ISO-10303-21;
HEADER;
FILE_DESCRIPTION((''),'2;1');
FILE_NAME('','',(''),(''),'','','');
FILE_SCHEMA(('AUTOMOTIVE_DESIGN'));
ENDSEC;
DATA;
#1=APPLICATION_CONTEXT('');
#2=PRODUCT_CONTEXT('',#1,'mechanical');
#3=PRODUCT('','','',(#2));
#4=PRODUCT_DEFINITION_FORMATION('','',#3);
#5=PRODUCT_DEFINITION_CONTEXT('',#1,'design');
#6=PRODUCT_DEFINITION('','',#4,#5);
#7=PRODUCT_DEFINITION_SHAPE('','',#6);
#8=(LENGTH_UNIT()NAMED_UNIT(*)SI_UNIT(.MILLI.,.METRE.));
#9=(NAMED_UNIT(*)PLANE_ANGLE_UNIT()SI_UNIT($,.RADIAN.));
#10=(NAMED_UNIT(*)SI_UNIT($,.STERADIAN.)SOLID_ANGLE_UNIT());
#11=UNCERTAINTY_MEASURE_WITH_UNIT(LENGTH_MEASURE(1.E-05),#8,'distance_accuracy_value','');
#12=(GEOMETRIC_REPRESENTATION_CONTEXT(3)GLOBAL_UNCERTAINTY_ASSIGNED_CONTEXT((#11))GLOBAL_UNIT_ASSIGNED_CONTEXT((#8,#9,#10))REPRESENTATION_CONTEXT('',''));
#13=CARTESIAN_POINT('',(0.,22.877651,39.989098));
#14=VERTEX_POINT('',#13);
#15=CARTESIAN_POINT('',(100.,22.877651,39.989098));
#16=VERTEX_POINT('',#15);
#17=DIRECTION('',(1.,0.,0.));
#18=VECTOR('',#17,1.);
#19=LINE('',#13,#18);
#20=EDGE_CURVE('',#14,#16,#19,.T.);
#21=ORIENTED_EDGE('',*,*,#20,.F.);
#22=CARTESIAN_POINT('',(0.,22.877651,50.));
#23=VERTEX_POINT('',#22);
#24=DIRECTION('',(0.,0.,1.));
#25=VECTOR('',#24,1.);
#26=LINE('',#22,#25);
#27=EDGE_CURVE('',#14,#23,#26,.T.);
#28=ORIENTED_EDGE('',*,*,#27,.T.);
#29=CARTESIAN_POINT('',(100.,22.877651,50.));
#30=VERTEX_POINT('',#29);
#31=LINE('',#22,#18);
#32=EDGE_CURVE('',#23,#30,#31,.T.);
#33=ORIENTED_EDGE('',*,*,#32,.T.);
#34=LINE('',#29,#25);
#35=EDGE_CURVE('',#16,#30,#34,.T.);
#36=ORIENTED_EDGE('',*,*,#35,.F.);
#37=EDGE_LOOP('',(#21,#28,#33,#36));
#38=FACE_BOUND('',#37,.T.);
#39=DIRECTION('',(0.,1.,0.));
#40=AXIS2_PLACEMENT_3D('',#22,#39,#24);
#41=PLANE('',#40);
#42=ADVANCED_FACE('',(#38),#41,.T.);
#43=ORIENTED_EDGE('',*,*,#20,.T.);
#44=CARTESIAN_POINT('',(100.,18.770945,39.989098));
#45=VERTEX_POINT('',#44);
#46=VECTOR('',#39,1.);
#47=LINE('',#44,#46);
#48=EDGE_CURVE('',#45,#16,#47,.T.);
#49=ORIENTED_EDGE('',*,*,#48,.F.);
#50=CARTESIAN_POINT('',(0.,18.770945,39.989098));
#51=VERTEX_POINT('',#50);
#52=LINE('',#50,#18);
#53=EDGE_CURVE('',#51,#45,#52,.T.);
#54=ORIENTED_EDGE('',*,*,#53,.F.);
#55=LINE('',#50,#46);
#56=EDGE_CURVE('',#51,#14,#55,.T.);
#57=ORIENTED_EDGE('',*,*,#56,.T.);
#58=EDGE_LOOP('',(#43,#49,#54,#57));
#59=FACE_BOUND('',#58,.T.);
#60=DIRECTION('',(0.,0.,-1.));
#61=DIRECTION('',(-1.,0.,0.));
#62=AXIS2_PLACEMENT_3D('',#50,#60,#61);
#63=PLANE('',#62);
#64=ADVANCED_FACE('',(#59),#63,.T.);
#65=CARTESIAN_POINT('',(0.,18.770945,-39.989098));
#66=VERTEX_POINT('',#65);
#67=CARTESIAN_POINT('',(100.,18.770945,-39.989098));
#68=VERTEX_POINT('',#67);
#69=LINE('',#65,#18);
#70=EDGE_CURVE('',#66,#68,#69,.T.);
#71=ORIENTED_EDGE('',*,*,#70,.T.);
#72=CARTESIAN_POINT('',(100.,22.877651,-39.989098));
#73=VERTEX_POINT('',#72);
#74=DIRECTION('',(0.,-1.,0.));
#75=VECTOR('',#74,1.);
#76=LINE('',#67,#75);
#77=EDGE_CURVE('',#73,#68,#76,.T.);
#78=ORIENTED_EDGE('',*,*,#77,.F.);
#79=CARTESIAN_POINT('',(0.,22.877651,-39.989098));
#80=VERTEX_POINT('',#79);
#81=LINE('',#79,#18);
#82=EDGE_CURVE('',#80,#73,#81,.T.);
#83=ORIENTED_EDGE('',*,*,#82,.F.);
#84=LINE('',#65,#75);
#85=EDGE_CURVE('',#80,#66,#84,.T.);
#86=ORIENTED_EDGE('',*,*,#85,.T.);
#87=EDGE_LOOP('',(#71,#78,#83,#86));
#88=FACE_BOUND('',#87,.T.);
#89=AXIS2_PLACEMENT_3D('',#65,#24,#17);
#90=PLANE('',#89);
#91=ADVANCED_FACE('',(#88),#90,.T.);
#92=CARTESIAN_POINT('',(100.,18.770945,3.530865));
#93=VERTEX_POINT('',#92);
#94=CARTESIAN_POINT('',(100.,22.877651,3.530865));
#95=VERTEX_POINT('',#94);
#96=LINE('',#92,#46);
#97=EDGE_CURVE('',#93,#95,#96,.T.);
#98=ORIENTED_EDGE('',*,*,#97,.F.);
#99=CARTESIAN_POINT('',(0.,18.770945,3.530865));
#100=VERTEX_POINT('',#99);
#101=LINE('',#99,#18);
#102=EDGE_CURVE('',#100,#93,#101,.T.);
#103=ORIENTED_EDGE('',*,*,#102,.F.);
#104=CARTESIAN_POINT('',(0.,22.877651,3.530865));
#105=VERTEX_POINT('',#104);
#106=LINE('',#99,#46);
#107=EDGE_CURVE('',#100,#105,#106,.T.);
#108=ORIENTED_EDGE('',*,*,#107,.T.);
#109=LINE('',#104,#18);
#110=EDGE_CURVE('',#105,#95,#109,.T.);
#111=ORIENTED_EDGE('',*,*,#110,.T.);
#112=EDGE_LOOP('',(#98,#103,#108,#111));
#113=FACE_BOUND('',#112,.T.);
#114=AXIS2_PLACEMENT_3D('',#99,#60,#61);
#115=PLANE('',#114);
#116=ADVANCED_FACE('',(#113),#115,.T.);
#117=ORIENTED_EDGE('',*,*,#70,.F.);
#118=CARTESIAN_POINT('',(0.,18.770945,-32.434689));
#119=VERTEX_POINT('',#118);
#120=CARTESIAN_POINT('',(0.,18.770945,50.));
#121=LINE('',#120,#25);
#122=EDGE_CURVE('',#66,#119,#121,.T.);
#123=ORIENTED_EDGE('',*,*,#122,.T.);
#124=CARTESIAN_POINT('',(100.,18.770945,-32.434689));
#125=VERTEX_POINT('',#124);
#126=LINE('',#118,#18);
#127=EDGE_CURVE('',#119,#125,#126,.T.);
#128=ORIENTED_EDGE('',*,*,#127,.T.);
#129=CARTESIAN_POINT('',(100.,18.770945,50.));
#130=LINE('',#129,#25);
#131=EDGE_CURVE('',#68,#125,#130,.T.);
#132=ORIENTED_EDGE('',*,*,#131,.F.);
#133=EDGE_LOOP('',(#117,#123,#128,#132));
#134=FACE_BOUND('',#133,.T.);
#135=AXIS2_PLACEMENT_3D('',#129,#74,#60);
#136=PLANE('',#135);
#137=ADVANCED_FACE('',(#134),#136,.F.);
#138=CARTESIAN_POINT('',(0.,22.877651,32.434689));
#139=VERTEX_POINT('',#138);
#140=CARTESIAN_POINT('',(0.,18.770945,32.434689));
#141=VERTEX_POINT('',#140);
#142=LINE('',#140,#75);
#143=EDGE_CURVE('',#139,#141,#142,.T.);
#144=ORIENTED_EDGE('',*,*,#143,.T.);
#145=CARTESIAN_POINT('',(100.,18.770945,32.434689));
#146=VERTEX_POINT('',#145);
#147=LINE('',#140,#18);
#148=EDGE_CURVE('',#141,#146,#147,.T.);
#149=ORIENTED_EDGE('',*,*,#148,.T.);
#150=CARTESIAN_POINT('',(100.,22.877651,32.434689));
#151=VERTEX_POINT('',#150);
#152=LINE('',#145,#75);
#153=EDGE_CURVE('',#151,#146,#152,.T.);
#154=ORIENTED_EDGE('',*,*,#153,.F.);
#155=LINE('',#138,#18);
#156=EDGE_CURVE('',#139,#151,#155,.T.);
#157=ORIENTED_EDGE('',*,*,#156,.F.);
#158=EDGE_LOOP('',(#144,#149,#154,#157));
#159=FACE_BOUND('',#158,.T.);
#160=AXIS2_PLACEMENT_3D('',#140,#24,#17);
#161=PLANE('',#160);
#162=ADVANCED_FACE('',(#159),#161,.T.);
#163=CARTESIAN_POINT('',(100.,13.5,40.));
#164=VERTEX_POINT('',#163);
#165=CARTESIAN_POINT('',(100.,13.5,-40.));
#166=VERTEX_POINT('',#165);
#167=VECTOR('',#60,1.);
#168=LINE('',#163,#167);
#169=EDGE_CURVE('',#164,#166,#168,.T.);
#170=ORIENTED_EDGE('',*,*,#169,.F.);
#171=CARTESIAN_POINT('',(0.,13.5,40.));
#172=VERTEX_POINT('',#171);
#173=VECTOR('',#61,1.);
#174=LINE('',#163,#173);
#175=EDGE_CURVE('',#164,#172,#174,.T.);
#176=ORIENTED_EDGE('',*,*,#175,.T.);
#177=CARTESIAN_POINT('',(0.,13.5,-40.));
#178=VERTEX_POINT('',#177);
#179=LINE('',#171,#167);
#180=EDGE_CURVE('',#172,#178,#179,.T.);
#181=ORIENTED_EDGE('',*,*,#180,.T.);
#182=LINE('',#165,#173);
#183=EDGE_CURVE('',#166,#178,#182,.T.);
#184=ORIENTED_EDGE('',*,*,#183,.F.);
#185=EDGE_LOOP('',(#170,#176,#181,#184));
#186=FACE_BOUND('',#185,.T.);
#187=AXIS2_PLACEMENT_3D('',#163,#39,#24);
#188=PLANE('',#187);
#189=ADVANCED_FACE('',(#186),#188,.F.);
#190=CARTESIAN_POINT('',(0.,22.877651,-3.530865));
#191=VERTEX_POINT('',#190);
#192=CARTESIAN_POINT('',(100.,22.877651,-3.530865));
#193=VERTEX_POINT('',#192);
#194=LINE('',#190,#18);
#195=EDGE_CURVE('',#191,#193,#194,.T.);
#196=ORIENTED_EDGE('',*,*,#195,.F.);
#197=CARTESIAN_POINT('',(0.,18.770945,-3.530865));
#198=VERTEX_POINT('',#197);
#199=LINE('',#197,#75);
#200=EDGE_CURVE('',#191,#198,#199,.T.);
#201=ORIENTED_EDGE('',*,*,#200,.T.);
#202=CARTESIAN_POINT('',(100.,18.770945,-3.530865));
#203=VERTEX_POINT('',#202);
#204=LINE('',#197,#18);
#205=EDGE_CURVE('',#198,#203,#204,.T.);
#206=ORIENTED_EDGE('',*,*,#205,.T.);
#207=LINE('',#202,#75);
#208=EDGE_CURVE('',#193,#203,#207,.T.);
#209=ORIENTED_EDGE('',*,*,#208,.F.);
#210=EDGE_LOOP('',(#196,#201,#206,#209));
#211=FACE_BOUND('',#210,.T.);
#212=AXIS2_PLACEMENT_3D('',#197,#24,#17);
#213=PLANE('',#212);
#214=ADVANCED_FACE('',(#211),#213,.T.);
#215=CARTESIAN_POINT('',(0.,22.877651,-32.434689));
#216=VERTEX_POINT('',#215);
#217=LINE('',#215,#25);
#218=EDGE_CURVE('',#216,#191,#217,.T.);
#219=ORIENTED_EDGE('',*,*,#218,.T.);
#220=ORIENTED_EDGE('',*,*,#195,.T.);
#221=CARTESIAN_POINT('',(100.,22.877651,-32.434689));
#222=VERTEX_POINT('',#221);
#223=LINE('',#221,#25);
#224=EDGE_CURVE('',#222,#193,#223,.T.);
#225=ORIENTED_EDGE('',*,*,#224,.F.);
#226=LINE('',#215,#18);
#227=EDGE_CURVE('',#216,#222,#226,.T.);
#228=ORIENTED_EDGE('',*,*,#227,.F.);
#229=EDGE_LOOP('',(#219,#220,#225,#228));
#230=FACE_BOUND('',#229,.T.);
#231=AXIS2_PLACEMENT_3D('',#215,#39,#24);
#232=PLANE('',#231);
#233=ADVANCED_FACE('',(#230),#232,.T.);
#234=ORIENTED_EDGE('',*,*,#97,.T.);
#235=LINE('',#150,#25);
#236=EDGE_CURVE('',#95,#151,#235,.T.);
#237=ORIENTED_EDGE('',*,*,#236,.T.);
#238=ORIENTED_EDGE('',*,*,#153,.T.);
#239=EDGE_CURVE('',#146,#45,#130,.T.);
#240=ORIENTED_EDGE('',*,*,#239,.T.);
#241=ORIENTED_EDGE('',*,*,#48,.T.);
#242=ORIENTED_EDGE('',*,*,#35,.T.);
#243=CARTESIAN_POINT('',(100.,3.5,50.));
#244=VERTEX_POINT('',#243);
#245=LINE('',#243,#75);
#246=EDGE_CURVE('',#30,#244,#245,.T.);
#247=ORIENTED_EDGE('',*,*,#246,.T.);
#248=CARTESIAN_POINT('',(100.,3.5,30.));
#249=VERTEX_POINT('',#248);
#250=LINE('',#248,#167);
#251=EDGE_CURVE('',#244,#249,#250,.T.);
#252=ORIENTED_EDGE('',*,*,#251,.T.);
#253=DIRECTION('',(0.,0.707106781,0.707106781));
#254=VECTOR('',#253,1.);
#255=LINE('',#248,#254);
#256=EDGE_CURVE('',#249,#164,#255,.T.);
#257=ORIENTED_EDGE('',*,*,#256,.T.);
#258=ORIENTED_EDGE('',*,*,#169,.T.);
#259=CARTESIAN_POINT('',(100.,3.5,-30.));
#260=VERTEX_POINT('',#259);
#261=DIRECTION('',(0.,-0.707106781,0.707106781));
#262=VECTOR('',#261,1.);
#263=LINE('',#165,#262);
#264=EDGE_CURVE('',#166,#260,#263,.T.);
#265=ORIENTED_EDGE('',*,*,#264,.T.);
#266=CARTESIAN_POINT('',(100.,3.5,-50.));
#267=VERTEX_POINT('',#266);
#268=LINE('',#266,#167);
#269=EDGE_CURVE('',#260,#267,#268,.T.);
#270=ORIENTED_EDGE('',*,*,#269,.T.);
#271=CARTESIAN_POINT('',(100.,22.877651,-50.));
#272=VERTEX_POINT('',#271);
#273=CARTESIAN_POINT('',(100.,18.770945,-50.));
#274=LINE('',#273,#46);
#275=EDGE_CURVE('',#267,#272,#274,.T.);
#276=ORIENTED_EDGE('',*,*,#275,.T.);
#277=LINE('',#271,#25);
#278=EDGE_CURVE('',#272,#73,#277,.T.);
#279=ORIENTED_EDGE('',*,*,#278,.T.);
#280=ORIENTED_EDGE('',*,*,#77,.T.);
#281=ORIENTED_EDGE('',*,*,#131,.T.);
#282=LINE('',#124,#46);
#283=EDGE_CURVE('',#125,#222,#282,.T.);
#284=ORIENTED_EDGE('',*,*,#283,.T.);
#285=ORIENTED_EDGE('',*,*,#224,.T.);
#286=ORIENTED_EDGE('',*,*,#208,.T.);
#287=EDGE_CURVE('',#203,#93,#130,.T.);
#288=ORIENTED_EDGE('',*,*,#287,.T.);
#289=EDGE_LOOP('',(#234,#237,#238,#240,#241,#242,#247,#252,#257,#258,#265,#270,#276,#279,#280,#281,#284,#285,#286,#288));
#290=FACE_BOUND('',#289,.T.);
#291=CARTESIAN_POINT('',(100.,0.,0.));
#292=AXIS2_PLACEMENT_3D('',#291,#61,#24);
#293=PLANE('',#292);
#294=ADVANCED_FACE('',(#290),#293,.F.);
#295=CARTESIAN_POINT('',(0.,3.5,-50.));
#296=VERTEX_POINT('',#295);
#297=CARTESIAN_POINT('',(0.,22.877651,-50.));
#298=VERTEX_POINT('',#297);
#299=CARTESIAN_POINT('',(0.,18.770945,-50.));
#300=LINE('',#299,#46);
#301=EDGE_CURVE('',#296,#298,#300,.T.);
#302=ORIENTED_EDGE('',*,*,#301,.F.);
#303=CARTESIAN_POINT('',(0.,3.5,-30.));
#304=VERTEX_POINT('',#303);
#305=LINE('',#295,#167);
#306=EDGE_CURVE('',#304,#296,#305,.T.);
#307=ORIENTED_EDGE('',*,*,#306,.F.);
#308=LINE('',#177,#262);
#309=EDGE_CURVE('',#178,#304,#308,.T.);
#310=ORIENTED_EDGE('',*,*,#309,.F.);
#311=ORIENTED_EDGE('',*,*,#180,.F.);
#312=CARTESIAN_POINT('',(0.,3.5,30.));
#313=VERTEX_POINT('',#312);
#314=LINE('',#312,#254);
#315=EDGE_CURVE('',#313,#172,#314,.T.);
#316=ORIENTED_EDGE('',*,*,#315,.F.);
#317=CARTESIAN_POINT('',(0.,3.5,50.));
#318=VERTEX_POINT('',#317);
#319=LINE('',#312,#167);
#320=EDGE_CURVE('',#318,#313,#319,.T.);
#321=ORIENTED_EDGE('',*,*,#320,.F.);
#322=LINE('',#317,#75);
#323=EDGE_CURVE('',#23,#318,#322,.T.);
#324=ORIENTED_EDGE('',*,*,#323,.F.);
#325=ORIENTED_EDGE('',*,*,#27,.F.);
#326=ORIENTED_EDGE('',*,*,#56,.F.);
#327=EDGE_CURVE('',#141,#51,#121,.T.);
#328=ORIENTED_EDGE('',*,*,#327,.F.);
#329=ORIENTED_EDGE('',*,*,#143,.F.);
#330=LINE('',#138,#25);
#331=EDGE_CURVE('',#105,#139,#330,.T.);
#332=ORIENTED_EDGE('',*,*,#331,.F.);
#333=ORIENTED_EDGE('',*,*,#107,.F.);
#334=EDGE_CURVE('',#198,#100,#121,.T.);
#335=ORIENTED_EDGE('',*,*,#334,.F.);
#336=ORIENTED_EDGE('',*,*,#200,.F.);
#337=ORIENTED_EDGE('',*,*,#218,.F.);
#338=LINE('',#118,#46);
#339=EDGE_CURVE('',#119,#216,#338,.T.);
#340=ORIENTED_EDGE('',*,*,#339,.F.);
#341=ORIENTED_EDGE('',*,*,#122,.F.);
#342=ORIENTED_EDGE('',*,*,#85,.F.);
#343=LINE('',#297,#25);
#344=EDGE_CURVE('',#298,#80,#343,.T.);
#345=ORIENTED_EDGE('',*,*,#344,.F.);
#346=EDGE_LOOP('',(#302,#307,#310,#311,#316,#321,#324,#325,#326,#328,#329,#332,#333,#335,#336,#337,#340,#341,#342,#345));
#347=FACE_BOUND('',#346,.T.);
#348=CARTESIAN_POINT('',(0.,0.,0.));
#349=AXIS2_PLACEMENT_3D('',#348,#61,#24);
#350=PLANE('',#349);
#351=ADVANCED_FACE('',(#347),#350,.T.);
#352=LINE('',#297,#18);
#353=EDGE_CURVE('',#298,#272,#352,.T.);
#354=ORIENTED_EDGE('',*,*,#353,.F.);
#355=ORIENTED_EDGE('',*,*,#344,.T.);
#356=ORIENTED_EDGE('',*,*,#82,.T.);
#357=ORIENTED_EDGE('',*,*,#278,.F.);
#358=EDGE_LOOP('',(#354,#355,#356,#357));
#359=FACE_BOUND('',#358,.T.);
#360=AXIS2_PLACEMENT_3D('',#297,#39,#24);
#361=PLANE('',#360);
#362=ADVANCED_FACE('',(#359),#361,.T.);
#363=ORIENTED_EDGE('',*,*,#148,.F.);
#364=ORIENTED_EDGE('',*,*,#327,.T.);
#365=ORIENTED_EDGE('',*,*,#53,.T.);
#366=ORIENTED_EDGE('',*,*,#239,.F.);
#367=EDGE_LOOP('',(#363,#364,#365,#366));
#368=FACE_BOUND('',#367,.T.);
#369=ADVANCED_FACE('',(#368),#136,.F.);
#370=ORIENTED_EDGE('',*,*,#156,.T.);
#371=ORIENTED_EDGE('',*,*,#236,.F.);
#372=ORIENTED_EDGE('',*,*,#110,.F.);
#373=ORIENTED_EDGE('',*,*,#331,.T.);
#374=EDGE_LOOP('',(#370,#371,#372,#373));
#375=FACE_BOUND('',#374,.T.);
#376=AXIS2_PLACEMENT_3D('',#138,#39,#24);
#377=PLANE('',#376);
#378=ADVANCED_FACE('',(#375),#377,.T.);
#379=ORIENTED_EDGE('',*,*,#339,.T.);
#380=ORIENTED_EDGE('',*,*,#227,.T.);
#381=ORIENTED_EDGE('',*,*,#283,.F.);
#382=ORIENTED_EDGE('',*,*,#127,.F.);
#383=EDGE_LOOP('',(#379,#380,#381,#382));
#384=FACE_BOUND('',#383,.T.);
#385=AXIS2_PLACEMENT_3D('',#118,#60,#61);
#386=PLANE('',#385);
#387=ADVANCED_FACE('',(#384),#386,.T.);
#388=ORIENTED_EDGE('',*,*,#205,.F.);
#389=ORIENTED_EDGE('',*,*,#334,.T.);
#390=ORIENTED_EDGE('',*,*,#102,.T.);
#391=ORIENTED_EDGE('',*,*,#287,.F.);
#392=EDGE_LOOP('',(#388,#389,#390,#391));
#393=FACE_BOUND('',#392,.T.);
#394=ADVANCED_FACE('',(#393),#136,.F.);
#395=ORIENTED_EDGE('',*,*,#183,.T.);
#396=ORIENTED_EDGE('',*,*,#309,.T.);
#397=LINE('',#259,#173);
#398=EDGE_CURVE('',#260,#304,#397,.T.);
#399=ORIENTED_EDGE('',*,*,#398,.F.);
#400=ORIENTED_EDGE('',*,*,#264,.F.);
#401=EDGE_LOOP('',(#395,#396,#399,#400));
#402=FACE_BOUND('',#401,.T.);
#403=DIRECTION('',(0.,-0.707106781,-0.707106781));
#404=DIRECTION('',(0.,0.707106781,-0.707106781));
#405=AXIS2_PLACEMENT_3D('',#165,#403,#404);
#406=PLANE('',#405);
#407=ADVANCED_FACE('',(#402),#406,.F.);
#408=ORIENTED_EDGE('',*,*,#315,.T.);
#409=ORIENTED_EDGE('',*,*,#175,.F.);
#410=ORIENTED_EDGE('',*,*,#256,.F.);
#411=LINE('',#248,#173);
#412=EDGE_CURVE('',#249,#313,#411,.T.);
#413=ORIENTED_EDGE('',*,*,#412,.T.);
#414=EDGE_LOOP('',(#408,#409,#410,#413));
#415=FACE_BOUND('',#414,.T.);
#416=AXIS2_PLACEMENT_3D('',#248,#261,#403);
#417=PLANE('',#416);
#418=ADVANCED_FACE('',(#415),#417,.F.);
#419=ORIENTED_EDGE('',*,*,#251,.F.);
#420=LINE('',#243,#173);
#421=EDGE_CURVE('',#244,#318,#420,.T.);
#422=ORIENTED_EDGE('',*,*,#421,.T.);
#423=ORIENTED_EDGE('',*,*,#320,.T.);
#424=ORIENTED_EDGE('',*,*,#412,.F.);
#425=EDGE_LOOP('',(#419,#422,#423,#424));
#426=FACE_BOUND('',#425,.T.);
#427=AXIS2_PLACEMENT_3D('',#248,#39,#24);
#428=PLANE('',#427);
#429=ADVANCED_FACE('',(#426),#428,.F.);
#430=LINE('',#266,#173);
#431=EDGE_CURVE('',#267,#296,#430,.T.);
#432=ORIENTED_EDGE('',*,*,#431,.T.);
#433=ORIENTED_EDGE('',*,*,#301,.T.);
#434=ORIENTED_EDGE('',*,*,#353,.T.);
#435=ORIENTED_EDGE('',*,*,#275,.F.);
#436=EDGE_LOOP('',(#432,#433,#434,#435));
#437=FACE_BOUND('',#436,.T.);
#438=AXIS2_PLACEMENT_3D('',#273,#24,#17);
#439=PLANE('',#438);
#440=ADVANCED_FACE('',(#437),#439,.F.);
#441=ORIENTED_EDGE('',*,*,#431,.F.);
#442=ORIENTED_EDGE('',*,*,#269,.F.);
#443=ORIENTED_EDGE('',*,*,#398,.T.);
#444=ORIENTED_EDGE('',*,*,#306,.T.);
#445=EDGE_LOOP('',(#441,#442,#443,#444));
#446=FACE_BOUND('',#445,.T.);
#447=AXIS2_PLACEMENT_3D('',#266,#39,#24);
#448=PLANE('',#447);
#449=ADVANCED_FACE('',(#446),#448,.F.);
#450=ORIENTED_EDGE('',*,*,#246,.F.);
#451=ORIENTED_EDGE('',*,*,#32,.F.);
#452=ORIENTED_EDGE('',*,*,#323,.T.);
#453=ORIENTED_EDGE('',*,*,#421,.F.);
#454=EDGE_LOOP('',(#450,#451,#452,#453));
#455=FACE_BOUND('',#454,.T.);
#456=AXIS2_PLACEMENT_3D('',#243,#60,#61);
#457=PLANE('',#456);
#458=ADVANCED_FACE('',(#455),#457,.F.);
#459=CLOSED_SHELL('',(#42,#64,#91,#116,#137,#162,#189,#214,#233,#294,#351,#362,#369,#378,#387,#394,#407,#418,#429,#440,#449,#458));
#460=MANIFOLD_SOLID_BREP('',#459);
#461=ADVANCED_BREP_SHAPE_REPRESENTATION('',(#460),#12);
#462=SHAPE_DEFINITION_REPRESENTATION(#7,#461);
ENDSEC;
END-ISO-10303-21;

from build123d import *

# Parameters (mm, degrees)
SALIENTE_EXTRUIR1_DEPTH = 100
CROQUIS2_W              = 10.010901807
CROQUIS2_H              = 4.106706179
CROQUIS2_W_2            = 28.903824567
SALIENTE_EXTRUIR2_DEPTH = 100


with BuildPart() as part:
    # Croquis1 → Saliente-Extruir1 (new body)
    with BuildSketch(Plane(origin=(0, 0, 0), x_dir=(0, 0, -1), z_dir=(1, 0, 0))):
        Polygon((-30, 3.5), (-40, 13.5), (40, 13.5), (30, 3.5), (50, 3.5), (50, 18.770945102), (-50, 18.770945102), (-50, 3.5), align=None)
    extrude(amount=SALIENTE_EXTRUIR1_DEPTH)

    # Croquis2 → Saliente-Extruir2 (add)
    with BuildSketch(Plane(origin=(100, 0, 0), x_dir=(0, 0, -1), z_dir=(1, 0, 0))):
        with Locations((-44.994549097, 20.824298192)):
            Rectangle(CROQUIS2_W, CROQUIS2_H)
        with Locations((-17.982777217, 20.824298192)):
            Rectangle(CROQUIS2_W_2, CROQUIS2_H)
        with Locations((17.982777217, 20.824298192)):
            Rectangle(CROQUIS2_W_2, CROQUIS2_H)
        with Locations((44.994549097, 20.824298192)):
            Rectangle(CROQUIS2_W, CROQUIS2_H)
    extrude(amount=-SALIENTE_EXTRUIR2_DEPTH)


solid = part.part
